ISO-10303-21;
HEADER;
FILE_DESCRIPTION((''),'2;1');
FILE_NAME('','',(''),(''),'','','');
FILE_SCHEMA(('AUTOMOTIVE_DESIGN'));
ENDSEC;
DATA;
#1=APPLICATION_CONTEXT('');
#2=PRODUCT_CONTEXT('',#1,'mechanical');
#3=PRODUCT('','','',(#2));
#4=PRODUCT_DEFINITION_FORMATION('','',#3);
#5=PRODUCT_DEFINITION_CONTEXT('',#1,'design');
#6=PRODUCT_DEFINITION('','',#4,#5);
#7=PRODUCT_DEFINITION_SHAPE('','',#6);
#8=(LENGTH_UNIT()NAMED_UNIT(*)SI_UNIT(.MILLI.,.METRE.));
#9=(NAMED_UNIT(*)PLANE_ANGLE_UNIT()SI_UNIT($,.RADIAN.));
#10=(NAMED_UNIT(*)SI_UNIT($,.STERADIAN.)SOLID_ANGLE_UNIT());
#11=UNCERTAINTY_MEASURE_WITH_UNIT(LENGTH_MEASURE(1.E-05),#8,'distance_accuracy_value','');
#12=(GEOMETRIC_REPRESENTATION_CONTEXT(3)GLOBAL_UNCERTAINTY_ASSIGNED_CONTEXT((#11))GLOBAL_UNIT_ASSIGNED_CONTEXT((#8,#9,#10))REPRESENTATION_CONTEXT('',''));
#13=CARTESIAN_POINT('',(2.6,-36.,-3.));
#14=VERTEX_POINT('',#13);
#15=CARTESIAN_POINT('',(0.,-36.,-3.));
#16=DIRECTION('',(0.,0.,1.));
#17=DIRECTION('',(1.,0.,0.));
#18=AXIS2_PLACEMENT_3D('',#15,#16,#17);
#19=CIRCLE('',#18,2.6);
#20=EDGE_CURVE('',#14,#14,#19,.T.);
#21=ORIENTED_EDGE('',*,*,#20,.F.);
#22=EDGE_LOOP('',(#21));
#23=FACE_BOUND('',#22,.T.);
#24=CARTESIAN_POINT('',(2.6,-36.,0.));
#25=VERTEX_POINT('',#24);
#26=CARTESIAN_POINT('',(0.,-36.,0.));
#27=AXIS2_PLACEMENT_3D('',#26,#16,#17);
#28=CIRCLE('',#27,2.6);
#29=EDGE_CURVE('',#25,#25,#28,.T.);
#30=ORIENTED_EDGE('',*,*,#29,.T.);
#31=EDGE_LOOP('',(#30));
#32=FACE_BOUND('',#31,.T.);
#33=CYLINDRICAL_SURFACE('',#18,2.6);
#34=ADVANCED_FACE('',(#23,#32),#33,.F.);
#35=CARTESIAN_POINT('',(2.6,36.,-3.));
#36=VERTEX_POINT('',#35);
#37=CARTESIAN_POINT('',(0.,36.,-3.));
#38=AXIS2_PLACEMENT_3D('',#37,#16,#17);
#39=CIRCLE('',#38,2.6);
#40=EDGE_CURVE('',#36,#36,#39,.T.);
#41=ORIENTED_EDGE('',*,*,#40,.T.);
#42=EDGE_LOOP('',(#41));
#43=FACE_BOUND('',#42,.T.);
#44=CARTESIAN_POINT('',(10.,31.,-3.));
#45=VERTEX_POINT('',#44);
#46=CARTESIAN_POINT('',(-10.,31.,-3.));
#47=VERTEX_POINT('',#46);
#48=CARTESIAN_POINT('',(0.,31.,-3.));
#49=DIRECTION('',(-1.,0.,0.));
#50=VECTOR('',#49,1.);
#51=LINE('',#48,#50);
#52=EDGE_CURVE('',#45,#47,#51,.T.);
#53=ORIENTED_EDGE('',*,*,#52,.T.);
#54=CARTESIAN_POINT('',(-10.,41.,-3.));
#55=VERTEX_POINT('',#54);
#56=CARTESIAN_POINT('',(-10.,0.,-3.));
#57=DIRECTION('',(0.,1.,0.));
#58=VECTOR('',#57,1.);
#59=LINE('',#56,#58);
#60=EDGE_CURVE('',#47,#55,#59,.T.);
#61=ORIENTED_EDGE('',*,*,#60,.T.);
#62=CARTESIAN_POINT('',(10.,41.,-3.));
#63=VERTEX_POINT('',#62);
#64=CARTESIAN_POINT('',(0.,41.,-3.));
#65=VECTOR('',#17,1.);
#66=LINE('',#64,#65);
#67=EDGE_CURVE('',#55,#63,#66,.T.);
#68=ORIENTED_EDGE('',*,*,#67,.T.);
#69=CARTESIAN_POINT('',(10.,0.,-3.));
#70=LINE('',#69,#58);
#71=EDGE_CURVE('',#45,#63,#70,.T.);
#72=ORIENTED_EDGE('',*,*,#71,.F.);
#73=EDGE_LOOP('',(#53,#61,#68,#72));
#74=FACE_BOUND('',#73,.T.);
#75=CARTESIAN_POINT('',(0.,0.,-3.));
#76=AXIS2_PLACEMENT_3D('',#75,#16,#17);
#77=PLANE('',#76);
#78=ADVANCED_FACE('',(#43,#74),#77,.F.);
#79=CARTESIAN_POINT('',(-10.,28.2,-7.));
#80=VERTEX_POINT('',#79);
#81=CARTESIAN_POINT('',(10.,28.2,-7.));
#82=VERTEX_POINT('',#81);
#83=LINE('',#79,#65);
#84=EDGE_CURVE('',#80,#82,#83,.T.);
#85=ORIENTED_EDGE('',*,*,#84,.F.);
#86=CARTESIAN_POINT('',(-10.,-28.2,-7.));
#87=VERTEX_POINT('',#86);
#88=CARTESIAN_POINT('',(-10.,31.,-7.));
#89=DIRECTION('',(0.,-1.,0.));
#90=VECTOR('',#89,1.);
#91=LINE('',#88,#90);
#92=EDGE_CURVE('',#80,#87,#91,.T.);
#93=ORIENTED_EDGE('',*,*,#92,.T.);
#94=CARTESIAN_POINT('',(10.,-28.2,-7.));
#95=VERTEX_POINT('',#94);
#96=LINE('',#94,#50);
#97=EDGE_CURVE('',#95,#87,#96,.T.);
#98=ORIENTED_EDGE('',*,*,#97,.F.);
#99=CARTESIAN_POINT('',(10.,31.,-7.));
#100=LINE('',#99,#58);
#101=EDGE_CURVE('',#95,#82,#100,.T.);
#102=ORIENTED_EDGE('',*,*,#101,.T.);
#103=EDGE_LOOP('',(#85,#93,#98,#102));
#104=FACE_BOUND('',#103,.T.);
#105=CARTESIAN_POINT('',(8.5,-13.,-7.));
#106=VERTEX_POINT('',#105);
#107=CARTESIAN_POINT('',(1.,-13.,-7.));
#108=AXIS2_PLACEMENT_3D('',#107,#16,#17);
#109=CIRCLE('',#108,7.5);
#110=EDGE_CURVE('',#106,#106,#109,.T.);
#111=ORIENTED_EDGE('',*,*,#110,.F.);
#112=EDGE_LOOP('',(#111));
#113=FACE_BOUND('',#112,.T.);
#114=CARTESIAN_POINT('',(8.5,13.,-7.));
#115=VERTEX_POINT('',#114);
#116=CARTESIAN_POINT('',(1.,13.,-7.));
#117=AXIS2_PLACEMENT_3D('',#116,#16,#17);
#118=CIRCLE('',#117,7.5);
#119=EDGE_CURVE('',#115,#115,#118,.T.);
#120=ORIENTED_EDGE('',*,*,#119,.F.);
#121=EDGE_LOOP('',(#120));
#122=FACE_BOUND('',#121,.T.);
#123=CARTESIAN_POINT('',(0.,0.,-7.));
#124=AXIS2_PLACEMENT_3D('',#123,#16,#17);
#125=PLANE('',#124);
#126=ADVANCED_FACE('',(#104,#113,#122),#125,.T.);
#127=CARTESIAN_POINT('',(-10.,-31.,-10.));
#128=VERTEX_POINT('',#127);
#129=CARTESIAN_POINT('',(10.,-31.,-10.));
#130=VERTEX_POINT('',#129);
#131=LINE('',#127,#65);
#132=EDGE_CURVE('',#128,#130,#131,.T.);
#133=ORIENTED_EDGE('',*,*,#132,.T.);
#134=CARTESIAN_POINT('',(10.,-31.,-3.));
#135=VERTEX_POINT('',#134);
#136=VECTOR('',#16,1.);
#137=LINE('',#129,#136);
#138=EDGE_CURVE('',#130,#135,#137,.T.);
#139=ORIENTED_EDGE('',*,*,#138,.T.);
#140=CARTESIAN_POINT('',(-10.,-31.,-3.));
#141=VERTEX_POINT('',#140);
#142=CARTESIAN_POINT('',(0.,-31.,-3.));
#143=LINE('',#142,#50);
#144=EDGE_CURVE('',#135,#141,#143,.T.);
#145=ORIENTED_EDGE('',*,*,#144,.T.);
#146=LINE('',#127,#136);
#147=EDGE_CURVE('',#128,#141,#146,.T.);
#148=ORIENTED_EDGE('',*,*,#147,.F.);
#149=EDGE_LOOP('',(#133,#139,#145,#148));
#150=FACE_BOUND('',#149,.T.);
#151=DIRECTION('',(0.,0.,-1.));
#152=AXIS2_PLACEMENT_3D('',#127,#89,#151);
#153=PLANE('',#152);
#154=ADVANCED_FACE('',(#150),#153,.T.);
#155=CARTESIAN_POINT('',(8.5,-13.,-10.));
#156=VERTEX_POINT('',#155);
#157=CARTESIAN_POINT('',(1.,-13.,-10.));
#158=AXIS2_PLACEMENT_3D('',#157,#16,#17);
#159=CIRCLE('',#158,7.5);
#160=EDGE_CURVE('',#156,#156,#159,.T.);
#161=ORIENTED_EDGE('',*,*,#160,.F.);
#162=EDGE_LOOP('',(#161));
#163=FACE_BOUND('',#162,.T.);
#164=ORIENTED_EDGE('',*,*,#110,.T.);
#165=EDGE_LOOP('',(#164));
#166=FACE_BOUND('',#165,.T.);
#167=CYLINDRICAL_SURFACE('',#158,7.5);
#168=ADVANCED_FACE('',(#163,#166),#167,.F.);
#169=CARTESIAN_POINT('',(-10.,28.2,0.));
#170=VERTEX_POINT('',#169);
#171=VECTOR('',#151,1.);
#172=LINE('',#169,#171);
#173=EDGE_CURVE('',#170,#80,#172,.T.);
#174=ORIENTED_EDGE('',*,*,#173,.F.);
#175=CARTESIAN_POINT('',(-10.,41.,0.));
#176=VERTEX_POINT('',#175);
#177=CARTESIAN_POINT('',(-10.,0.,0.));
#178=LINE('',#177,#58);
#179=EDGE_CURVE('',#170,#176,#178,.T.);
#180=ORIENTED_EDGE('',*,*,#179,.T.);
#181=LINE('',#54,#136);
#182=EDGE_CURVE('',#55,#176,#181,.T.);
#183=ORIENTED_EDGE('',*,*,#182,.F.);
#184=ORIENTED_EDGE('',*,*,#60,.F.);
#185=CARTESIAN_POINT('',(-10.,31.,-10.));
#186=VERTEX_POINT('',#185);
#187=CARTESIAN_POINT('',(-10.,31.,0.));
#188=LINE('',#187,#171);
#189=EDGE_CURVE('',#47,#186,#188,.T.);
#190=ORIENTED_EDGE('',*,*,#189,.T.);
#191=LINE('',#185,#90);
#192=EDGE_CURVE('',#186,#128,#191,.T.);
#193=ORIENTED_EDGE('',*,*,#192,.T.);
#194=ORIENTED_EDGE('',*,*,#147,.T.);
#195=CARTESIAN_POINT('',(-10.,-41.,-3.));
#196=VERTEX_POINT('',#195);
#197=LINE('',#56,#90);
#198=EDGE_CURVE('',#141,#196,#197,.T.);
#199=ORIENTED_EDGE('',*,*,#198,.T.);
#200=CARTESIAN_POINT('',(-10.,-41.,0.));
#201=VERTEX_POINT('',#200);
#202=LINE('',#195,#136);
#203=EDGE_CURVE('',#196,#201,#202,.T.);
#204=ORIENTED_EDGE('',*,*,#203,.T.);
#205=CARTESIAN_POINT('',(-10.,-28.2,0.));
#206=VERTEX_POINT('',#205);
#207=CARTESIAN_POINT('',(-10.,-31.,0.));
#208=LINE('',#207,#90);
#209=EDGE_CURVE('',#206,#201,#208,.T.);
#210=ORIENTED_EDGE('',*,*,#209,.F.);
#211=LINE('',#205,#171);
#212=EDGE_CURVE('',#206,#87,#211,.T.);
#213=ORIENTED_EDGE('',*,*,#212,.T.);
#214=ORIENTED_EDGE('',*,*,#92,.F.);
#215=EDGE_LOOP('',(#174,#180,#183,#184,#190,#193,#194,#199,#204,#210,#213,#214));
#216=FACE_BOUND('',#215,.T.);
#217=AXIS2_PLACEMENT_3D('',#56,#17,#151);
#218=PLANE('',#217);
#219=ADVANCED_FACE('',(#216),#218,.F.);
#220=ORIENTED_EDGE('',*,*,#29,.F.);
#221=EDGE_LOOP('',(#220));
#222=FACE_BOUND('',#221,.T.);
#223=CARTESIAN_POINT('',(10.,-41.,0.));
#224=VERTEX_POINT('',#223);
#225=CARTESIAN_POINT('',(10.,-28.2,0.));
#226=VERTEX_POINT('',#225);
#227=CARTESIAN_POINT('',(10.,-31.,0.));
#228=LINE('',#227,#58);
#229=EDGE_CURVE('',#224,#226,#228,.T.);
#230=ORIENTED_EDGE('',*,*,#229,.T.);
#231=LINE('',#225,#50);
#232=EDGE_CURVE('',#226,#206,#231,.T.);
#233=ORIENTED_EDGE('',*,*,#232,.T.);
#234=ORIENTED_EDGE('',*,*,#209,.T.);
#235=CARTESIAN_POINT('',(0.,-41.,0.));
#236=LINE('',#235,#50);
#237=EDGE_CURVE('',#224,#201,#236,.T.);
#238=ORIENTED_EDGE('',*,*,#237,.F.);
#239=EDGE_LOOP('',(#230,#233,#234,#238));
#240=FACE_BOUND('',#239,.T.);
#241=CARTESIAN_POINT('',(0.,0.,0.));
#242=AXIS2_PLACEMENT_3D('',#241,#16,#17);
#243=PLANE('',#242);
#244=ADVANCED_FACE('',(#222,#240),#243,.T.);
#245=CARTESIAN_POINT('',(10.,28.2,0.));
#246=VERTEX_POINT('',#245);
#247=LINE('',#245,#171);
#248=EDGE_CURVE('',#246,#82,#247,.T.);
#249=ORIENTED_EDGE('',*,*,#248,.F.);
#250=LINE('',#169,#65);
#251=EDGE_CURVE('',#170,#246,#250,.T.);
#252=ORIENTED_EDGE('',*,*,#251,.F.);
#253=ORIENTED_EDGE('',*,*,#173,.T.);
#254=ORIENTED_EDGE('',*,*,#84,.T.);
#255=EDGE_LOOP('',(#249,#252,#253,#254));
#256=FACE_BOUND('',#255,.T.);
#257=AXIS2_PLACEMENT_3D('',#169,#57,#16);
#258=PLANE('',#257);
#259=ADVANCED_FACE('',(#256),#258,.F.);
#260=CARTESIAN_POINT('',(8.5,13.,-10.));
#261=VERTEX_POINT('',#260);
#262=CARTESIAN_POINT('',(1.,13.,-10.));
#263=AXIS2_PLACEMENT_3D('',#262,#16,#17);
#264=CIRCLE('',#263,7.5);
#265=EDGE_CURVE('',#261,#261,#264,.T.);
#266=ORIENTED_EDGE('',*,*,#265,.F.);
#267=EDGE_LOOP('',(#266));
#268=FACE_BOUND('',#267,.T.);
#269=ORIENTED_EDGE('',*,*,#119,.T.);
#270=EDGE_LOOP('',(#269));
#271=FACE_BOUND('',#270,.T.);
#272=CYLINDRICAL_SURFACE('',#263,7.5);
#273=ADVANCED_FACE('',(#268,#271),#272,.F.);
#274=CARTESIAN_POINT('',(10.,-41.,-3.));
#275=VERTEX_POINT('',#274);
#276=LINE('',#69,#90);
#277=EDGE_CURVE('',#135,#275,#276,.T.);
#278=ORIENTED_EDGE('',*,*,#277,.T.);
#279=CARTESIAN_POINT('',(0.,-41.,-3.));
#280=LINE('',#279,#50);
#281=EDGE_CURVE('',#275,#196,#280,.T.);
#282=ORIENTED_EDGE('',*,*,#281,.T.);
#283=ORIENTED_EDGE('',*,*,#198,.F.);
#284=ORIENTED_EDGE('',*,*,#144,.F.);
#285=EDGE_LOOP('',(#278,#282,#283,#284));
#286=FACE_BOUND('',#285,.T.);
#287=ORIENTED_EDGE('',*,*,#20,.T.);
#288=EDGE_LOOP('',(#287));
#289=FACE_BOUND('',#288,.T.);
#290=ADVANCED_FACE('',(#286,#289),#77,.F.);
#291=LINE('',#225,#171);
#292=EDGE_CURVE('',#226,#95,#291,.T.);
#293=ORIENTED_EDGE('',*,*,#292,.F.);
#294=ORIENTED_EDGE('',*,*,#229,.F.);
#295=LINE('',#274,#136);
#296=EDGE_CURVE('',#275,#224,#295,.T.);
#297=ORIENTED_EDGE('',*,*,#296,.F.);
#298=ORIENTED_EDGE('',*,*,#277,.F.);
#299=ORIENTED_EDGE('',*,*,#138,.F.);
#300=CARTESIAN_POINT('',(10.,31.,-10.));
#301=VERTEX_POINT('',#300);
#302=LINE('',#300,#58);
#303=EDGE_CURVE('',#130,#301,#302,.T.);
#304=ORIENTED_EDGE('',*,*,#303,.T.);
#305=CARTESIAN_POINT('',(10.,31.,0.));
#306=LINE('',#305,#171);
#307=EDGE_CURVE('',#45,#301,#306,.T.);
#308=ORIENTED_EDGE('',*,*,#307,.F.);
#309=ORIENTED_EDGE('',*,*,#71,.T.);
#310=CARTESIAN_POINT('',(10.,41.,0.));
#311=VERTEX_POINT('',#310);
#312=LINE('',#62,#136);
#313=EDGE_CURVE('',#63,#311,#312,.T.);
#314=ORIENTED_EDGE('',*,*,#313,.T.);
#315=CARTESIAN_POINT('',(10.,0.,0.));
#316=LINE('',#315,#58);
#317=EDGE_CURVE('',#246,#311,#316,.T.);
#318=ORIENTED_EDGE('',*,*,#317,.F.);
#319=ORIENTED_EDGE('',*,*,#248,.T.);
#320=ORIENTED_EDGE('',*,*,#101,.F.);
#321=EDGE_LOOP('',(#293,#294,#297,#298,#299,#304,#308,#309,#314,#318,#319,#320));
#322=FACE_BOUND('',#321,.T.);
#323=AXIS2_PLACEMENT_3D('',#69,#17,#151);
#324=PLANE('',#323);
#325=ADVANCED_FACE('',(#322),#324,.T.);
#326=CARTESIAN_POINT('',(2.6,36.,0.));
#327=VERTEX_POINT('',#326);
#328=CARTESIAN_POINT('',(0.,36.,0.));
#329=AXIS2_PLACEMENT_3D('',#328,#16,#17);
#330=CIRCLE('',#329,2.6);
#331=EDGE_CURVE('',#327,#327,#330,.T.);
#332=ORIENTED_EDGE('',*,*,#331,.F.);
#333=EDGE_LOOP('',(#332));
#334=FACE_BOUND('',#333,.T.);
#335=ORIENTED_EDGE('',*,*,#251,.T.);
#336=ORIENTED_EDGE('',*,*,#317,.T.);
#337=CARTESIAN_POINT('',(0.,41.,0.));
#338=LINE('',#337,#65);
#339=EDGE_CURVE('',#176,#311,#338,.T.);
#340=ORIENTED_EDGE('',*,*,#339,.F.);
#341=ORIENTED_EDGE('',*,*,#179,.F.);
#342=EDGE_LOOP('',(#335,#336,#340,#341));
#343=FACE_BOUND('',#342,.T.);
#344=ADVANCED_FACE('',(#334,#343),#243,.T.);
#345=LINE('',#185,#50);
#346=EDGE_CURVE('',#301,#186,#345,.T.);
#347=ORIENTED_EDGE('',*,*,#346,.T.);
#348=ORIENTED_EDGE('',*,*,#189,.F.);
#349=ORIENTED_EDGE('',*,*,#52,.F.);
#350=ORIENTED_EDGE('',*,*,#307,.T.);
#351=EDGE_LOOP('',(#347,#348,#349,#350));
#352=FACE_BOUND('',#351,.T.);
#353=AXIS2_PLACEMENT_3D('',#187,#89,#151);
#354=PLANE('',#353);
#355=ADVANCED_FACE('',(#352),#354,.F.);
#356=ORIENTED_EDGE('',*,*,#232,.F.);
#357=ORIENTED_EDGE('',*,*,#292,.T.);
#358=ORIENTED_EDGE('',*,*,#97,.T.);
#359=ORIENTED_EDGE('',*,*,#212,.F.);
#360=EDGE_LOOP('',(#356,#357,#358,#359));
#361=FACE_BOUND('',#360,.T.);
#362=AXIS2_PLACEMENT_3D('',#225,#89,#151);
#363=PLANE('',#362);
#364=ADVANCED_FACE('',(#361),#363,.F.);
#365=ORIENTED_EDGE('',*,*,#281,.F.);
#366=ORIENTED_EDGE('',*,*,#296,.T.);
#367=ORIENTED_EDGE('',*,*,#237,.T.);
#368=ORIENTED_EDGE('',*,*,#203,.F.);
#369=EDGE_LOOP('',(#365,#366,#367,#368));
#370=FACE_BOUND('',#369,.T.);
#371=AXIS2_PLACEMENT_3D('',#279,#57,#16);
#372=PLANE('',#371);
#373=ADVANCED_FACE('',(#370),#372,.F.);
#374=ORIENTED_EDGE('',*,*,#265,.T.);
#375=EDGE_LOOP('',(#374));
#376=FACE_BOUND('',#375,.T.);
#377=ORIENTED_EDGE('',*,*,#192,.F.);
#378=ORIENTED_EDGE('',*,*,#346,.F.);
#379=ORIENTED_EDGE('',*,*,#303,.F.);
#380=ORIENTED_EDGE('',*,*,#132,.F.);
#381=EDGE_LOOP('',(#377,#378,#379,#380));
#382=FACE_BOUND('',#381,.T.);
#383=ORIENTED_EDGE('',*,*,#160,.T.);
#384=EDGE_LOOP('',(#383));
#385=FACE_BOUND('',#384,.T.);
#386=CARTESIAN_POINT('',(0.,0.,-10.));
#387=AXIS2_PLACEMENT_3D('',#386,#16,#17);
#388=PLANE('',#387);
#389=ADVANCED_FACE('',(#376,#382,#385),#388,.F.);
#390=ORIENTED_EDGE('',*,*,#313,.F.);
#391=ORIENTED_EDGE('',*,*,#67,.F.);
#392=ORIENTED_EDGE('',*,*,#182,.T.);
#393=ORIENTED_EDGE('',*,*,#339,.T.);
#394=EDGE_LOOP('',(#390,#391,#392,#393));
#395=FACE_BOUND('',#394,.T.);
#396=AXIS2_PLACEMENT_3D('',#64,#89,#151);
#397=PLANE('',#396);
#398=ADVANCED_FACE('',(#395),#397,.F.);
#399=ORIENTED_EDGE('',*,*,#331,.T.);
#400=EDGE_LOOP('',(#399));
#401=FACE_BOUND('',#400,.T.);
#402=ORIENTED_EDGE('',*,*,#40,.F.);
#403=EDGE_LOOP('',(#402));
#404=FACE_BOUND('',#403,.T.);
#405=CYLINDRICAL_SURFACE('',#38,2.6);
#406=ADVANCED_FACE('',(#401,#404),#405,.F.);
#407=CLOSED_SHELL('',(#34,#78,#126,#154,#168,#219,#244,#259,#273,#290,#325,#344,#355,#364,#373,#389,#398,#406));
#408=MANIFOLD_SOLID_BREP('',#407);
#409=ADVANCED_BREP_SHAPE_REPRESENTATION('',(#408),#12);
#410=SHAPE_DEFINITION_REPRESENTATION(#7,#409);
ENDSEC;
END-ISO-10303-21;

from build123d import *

# Parameters (mm, degrees)
SKETCH1_W             = 20
SKETCH1_H             = 10
SKETCH1_R             = 2.6
BOSS_EXTRUDE1_DEPTH   = 3
BOSS_EXTRUDE1_2_DEPTH = 3
SKETCH4_W             = 20
SKETCH4_H             = 62
SKETCH4_R             = 7.5
BOSS_EXTRUDE2_DEPTH   = 3
SKETCH5_W             = 20
SKETCH5_H             = 2.8
BOSS_EXTRUDE3_DEPTH   = 7


with BuildPart() as part:
    # Sketch1 → Boss-Extrude1 (new body)
    with BuildSketch(Plane.XY):
        with Locations((0, 36)):
            Rectangle(SKETCH1_W, SKETCH1_H)
        with Locations((0, 36)):
            Circle(SKETCH1_R, mode=Mode.SUBTRACT)
    extrude(amount=-BOSS_EXTRUDE1_DEPTH)



with BuildPart() as body_2:
    # Sketch1 → Boss-Extrude1 2 (new body)
    with BuildSketch(Plane.XY):
        with Locations((0, -36)):
            Rectangle(SKETCH1_W, SKETCH1_H)
        with Locations((0, -36)):
            Circle(SKETCH1_R, mode=Mode.SUBTRACT)
    extrude(amount=-BOSS_EXTRUDE1_2_DEPTH)


with BuildPart() as body_3:
    # Sketch4 → Boss-Extrude2 (new body)
    with BuildSketch(Plane.XY.offset(-7)):
        Rectangle(SKETCH4_W, SKETCH4_H)
        with Locations((1, 13)):
            Circle(SKETCH4_R, mode=Mode.SUBTRACT)
        with Locations((1, -13)):
            Circle(SKETCH4_R, mode=Mode.SUBTRACT)
    extrude(amount=-BOSS_EXTRUDE2_DEPTH)


with BuildPart() as part_1:
    add(part.part)

    add(body_2.part)  # Boss-Extrude3 merges body 2

    add(body_3.part)  # Boss-Extrude3 merges body 3
    # Sketch5 → Boss-Extrude3 (add)
    with BuildSketch(Plane.XY.offset(-7)):
        with Locations((0, 29.6)):
            Rectangle(SKETCH5_W, SKETCH5_H)
        with Locations((0, -29.6)):
            Rectangle(SKETCH5_W, SKETCH5_H)
    extrude(amount=BOSS_EXTRUDE3_DEPTH)


solid = part_1.part
